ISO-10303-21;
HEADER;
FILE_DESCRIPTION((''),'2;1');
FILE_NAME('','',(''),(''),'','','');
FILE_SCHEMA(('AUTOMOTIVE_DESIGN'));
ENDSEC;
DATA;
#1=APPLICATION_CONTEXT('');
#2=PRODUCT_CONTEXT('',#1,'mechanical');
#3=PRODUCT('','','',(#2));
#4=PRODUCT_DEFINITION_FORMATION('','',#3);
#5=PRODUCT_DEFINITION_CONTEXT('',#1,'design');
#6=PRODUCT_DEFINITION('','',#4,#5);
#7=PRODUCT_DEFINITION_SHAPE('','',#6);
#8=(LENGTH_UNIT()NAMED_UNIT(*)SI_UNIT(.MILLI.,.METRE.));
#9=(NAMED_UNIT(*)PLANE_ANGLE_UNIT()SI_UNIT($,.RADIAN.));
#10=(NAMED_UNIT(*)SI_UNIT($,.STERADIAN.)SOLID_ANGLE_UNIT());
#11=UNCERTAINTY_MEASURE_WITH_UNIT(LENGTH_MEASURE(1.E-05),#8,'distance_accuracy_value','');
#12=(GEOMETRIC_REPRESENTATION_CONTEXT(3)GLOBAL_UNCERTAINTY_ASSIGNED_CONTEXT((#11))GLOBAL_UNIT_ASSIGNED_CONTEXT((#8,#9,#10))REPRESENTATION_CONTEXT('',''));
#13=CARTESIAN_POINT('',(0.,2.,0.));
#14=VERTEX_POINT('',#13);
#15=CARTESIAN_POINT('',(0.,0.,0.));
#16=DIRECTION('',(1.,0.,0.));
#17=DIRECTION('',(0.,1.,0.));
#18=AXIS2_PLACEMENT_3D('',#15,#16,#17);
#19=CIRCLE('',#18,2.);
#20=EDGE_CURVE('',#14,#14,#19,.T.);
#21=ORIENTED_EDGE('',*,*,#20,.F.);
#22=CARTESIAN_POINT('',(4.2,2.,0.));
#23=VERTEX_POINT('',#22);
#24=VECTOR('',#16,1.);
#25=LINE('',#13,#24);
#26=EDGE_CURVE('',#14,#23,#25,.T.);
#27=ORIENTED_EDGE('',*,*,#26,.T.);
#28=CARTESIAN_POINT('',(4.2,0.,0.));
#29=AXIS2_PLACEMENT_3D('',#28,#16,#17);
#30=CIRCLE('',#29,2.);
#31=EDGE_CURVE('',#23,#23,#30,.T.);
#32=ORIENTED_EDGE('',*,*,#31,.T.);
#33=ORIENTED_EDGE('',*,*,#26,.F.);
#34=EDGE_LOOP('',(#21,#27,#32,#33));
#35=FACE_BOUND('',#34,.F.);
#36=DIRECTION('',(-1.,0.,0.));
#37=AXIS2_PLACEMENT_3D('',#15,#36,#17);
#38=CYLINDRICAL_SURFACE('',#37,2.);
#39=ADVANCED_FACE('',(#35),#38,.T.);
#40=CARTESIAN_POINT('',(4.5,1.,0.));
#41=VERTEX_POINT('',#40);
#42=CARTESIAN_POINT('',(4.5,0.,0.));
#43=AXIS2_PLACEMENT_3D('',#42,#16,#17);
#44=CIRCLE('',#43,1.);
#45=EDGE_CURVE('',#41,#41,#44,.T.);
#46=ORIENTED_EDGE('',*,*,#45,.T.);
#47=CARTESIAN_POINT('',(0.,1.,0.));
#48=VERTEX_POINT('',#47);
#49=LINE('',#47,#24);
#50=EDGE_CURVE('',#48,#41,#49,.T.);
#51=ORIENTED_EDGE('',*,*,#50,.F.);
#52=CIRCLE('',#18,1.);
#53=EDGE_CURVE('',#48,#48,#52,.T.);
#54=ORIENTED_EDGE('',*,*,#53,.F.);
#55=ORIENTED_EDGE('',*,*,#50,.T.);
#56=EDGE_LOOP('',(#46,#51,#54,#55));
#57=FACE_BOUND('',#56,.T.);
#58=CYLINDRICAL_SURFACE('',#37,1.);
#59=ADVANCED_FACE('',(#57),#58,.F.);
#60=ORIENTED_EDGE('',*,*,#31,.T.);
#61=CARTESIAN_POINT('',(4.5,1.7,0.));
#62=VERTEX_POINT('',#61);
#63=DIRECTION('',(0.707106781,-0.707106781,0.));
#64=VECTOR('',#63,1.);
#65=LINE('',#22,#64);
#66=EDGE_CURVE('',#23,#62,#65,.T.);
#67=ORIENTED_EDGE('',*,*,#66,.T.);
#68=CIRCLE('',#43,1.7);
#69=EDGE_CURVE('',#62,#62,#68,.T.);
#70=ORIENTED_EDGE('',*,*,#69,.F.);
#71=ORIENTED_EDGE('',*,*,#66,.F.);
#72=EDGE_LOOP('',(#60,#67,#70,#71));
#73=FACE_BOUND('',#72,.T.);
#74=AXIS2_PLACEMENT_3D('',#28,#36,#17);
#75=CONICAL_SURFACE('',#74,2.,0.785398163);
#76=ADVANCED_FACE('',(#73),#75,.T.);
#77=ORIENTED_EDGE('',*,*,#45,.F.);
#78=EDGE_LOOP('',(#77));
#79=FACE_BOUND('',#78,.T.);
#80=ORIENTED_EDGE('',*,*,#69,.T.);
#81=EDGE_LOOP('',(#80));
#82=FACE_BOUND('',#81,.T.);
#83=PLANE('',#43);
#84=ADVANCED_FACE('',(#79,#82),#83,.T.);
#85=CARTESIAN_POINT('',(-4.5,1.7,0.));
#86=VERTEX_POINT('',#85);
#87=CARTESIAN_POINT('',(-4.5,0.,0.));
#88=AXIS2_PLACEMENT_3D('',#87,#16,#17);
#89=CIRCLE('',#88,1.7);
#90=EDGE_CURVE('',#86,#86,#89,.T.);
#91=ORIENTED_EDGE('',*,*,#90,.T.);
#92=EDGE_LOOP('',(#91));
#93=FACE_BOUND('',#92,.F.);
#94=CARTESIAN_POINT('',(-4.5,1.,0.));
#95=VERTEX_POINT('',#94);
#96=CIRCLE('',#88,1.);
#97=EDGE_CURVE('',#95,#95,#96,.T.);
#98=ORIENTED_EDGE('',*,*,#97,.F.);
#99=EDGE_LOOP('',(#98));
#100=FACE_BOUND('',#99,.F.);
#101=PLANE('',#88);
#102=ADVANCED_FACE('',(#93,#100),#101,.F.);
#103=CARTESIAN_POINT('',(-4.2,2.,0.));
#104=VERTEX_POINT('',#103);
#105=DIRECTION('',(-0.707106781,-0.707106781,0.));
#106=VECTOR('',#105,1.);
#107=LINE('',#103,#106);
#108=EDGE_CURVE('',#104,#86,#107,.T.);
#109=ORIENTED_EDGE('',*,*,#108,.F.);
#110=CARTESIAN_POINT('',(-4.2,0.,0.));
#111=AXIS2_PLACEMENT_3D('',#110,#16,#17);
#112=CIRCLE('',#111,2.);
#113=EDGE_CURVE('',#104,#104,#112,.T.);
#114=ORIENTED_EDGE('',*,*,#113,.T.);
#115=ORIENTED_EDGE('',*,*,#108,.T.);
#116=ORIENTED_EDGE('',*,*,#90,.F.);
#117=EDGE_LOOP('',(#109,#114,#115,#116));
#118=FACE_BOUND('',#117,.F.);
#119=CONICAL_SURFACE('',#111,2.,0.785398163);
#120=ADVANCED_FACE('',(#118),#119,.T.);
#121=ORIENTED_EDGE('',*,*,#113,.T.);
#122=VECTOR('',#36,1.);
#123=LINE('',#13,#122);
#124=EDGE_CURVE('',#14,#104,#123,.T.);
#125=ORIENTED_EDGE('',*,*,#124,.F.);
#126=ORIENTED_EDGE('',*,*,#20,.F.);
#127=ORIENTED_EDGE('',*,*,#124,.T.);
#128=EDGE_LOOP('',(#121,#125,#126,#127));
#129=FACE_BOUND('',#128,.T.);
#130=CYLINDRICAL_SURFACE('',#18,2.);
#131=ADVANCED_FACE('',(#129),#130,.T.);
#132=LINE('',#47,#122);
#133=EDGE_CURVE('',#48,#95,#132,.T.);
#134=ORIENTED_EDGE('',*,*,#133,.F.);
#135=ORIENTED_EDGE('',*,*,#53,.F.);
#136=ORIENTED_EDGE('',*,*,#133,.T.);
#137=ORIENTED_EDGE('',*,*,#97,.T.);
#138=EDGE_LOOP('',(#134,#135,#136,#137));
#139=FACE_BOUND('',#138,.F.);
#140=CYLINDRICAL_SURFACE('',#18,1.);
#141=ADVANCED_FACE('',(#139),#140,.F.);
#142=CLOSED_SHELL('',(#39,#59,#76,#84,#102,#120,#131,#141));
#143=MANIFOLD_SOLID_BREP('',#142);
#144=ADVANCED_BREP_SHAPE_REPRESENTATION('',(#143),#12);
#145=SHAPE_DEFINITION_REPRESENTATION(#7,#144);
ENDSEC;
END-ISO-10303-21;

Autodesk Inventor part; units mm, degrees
ref_plane "YZ Plane" through (0, 0, 0) normal (1, 0, 0) x (0, 1, 0)
ref_plane "XZ Plane" through (0, 0, 0) normal (0, 1, 0) x (-1, 0, 0)
ref_plane "XY Plane" through (0, 0, 0) normal (0, 0, 1) x (1, 0, 0)
sketch "スケッチ1" plane through (0, 0, 0) normal (1, 0, 0) x (0, 1, 0)
  circle A0 centre (0, 0) radius 2
  circle A1 centre (0, 0) radius 1
  dimension "d0" = 4
  dimension "d1" = 2
extrude "押し出し1" add sketch "スケッチ1" along normal mid plane 9
chamfer "面取り1" distance 0.3 angle 45 2 edges at (4.5, -2, 0) (-4.5, -2, 0)
properties part number "ARL-2009E"
